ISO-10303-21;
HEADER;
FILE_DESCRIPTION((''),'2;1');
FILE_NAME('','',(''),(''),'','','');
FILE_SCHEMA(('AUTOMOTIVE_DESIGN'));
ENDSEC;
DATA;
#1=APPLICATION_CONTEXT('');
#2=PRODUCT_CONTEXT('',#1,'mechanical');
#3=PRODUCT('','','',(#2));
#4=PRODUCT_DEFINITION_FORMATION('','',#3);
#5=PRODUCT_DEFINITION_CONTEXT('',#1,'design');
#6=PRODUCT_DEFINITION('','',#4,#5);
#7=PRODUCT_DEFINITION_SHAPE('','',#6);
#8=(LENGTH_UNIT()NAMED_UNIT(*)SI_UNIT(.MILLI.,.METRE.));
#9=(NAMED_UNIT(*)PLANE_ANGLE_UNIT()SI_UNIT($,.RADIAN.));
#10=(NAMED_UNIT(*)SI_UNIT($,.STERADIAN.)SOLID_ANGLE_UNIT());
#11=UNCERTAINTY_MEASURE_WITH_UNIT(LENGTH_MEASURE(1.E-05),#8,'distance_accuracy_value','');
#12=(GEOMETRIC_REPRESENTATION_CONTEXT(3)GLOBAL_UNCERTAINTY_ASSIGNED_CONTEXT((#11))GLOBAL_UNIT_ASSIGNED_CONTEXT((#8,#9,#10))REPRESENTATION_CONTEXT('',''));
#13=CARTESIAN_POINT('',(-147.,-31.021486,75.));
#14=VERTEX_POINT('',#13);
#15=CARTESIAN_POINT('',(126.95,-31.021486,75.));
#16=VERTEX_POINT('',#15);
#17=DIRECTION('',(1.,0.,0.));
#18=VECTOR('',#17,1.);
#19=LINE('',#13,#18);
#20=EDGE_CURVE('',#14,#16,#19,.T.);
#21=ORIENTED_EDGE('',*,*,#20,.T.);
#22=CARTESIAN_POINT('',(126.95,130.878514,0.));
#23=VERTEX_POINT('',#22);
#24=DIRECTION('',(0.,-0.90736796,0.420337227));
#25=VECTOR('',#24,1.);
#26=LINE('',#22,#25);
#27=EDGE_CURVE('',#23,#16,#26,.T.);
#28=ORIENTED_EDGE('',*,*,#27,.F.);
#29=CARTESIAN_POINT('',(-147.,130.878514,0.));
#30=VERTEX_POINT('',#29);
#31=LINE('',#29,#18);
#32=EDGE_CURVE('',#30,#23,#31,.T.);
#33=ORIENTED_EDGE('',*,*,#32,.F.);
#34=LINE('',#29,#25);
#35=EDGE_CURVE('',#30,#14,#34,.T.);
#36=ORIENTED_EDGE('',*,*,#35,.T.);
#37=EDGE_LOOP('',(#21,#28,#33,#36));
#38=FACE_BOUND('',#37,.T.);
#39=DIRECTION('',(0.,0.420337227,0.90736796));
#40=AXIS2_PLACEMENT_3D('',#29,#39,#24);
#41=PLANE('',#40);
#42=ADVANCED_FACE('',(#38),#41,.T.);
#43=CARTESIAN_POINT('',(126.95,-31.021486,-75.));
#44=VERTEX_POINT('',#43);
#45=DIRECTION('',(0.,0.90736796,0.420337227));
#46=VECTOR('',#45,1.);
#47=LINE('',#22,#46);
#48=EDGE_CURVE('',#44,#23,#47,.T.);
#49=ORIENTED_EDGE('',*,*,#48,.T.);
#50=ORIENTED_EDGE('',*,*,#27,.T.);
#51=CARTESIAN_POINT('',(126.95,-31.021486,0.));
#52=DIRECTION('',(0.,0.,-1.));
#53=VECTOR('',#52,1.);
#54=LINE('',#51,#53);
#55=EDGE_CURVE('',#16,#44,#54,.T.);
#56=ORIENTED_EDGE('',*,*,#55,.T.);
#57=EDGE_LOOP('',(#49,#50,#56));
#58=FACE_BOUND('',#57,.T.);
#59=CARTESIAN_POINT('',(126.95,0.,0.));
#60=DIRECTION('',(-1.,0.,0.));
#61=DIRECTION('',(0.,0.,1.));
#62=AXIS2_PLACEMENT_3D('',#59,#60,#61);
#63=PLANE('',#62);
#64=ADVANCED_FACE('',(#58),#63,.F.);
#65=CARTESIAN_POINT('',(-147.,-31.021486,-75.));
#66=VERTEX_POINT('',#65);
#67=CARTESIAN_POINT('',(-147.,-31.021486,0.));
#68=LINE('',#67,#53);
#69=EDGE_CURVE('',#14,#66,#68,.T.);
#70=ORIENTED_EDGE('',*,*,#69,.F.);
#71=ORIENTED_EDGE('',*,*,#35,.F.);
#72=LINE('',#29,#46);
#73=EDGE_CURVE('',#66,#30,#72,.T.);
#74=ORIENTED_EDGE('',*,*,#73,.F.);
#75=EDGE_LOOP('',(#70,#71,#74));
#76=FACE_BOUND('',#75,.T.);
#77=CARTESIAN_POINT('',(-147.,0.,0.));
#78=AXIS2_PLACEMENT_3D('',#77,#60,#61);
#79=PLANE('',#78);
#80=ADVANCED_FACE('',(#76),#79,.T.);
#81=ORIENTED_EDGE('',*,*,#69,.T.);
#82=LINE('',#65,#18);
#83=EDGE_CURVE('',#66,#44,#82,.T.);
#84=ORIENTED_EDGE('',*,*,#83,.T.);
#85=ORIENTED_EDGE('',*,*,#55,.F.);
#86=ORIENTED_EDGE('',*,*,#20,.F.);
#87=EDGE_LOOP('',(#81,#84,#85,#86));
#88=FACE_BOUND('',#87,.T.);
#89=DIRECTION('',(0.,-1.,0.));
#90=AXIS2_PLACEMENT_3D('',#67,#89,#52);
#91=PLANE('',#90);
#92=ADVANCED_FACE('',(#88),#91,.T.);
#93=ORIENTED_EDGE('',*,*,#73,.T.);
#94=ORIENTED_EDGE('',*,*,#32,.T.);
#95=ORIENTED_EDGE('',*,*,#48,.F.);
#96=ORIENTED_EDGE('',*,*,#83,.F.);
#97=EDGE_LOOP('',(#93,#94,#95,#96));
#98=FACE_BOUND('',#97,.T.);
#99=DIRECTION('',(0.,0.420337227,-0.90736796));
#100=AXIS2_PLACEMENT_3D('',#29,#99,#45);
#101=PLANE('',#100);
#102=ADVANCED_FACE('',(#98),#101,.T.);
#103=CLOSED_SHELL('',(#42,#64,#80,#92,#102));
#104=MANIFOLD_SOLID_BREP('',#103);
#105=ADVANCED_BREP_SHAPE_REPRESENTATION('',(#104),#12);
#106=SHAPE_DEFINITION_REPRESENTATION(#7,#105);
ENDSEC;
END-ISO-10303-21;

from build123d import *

# Parameters (mm, degrees)
BOSS_EXTRUDE2_DEPTH      = 126.95
BOSS_EXTRUDE2_DEPTH_BACK = 147


with BuildPart() as part:
    # Sketch2 → Boss-Extrude2 (new, two sides: drawn at the far end of the back side and taken through both)
    with BuildSketch(Plane(origin=(0, 0, 0), x_dir=(0, 0, -1), z_dir=(1, 0, 0)).offset(-BOSS_EXTRUDE2_DEPTH_BACK)):
        Polygon((0, -31.021485944), (-75, -31.021485944), (0, 130.878514056), (75, -31.021485944), align=None)
    extrude(amount=BOSS_EXTRUDE2_DEPTH + BOSS_EXTRUDE2_DEPTH_BACK)


solid = part.part
